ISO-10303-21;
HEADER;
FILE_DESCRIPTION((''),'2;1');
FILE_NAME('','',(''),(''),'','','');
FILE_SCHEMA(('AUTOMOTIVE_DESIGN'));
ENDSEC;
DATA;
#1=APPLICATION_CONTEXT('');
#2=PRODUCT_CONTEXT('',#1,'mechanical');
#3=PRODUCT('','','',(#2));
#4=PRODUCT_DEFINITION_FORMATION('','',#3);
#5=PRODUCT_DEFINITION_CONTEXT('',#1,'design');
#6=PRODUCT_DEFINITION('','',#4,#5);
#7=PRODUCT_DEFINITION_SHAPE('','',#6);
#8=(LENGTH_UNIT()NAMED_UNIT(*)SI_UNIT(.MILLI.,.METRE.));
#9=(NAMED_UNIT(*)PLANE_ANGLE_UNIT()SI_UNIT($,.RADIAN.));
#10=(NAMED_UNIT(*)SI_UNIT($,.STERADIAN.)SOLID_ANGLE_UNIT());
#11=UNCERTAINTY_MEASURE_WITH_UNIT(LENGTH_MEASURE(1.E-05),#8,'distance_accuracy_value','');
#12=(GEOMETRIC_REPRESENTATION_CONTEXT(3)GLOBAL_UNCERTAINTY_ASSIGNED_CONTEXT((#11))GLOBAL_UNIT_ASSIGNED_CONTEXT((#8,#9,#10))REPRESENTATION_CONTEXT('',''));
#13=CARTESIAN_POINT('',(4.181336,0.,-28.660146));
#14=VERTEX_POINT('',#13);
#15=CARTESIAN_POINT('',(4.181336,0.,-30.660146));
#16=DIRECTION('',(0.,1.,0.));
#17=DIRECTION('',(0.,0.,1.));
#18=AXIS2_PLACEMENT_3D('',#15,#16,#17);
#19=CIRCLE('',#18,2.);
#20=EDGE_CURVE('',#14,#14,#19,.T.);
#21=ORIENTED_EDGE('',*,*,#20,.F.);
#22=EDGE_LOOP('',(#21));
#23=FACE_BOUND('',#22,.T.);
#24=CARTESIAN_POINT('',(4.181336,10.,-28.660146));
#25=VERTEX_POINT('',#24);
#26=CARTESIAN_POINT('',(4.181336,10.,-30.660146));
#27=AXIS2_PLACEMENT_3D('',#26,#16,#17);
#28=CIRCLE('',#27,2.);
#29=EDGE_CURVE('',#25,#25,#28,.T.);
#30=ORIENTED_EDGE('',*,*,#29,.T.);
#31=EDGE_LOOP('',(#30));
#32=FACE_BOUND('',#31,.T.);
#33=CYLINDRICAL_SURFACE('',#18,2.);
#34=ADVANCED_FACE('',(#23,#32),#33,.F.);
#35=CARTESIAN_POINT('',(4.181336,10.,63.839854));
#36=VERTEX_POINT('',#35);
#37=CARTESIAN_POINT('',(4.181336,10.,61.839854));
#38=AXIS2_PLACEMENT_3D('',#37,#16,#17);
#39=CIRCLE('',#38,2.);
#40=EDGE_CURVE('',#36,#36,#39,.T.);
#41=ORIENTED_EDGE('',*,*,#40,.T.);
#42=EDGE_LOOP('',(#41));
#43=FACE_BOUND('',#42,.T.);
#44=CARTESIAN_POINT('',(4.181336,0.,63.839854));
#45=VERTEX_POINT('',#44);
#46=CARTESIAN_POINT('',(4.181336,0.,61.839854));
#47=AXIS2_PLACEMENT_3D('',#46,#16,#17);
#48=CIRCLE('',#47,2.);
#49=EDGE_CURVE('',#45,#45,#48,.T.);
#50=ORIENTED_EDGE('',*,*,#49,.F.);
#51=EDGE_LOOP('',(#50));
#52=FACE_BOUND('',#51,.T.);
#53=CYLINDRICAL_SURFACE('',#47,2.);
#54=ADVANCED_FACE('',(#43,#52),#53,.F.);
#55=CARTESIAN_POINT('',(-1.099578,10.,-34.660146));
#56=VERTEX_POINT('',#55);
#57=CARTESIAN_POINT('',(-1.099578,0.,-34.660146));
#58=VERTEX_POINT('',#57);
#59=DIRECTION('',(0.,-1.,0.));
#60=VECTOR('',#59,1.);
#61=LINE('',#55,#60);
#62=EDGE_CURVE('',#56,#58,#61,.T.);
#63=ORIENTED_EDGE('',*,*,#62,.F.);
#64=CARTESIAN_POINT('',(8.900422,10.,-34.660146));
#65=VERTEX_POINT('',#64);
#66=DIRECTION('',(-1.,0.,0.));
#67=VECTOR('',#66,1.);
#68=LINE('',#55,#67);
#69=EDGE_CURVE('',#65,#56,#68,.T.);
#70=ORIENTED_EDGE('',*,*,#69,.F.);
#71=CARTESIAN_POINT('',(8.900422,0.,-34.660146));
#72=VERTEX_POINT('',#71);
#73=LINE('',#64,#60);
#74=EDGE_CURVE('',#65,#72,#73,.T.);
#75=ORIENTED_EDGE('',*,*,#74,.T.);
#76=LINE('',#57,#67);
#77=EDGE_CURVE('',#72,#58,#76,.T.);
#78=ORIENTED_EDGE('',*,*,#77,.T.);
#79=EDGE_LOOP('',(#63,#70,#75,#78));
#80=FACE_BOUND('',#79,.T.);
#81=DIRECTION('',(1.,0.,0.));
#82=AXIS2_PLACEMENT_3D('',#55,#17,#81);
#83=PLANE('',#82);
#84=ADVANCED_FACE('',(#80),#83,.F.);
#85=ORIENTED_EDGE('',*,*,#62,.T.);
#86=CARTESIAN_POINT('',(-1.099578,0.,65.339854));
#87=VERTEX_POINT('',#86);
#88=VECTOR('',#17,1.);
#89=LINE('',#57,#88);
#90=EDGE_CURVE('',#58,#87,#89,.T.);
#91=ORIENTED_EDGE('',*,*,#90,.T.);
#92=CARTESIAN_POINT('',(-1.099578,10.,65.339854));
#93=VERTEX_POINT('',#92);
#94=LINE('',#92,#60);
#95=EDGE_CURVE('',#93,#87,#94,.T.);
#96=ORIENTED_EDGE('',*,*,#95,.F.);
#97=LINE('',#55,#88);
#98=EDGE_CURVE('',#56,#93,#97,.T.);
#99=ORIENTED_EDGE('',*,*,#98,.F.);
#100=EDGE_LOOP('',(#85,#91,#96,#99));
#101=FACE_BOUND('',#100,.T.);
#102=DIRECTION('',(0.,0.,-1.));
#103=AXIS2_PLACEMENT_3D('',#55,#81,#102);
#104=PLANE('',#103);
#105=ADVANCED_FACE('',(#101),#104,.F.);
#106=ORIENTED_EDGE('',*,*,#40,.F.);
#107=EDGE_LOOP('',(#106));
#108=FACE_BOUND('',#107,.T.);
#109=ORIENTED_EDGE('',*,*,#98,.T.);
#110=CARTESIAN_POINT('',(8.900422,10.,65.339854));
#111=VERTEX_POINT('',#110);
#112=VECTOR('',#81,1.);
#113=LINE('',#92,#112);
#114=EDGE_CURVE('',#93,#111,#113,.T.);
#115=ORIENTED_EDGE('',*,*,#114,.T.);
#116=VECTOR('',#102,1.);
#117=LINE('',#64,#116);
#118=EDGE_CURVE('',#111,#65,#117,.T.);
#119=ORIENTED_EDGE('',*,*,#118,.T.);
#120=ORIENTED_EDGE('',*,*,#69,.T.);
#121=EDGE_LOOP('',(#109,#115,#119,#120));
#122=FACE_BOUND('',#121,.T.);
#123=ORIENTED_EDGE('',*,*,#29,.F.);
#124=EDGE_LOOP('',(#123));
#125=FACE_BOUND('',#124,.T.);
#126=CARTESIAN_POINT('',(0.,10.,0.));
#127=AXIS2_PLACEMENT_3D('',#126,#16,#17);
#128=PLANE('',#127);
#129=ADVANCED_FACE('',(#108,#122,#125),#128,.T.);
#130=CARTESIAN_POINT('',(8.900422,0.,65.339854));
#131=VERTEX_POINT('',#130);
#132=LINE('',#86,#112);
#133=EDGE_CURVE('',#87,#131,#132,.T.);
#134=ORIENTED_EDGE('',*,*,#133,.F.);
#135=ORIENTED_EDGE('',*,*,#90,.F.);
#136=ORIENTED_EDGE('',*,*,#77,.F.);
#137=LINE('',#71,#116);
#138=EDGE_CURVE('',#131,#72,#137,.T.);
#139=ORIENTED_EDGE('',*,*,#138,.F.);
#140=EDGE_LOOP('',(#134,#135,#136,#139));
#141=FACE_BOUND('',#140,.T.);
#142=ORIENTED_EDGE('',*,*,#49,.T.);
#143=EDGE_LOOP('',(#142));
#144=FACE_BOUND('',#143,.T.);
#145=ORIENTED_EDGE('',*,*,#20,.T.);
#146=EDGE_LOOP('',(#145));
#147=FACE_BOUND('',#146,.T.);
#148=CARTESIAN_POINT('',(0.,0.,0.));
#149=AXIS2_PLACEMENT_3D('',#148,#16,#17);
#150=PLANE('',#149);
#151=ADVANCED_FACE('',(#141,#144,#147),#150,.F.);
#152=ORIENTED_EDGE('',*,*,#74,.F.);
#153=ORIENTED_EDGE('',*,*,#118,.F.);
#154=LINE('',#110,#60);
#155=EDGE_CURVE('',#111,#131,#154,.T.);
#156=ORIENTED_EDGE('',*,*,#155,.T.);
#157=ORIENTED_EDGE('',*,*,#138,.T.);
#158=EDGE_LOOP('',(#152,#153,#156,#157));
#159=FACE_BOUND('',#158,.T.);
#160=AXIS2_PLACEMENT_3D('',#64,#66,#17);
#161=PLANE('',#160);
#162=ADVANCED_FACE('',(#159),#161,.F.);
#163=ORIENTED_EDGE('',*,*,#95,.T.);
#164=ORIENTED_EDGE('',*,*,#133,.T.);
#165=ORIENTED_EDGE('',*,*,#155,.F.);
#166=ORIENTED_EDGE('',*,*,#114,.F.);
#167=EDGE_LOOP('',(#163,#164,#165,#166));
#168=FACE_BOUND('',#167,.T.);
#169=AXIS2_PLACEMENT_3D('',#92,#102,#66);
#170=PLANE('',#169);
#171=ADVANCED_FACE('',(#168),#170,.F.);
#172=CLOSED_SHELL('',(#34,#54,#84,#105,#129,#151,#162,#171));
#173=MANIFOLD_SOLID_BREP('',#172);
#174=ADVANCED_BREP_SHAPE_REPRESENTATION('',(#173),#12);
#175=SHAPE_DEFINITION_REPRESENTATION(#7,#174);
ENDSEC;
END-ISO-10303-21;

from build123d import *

# Parameters (mm, degrees)
SKETCH1_W           = 10
SKETCH1_H           = 100
BOSS_EXTRUDE1_DEPTH = 10
SKETCH2_R           = 2
CUT_EXTRUDE1_DEPTH  = 10


with BuildPart() as part:
    # Sketch1 → Boss-Extrude1 (new body)
    with BuildSketch(Plane(origin=(0, 0, 0), x_dir=(1, 0, 0), z_dir=(0, 1, 0))):
        with Locations((3.900422382, -15.339854308)):
            Rectangle(SKETCH1_W, SKETCH1_H)
    extrude(amount=BOSS_EXTRUDE1_DEPTH)

    # Sketch2 → Cut-Extrude1 (cut)
    with BuildSketch(Plane(origin=(0, 10, 0), x_dir=(1, 0, 0), z_dir=(0, 1, 0))):
        with Locations(Location((4.181335625, 30.660145692, 0), (0, 0, 270))):
            Circle(SKETCH2_R)
        with Locations(Location((4.181335625, -61.839854308, 0), (0, 0, 270))):
            Circle(SKETCH2_R)
    extrude(amount=-CUT_EXTRUDE1_DEPTH, mode=Mode.SUBTRACT)


solid = part.part
